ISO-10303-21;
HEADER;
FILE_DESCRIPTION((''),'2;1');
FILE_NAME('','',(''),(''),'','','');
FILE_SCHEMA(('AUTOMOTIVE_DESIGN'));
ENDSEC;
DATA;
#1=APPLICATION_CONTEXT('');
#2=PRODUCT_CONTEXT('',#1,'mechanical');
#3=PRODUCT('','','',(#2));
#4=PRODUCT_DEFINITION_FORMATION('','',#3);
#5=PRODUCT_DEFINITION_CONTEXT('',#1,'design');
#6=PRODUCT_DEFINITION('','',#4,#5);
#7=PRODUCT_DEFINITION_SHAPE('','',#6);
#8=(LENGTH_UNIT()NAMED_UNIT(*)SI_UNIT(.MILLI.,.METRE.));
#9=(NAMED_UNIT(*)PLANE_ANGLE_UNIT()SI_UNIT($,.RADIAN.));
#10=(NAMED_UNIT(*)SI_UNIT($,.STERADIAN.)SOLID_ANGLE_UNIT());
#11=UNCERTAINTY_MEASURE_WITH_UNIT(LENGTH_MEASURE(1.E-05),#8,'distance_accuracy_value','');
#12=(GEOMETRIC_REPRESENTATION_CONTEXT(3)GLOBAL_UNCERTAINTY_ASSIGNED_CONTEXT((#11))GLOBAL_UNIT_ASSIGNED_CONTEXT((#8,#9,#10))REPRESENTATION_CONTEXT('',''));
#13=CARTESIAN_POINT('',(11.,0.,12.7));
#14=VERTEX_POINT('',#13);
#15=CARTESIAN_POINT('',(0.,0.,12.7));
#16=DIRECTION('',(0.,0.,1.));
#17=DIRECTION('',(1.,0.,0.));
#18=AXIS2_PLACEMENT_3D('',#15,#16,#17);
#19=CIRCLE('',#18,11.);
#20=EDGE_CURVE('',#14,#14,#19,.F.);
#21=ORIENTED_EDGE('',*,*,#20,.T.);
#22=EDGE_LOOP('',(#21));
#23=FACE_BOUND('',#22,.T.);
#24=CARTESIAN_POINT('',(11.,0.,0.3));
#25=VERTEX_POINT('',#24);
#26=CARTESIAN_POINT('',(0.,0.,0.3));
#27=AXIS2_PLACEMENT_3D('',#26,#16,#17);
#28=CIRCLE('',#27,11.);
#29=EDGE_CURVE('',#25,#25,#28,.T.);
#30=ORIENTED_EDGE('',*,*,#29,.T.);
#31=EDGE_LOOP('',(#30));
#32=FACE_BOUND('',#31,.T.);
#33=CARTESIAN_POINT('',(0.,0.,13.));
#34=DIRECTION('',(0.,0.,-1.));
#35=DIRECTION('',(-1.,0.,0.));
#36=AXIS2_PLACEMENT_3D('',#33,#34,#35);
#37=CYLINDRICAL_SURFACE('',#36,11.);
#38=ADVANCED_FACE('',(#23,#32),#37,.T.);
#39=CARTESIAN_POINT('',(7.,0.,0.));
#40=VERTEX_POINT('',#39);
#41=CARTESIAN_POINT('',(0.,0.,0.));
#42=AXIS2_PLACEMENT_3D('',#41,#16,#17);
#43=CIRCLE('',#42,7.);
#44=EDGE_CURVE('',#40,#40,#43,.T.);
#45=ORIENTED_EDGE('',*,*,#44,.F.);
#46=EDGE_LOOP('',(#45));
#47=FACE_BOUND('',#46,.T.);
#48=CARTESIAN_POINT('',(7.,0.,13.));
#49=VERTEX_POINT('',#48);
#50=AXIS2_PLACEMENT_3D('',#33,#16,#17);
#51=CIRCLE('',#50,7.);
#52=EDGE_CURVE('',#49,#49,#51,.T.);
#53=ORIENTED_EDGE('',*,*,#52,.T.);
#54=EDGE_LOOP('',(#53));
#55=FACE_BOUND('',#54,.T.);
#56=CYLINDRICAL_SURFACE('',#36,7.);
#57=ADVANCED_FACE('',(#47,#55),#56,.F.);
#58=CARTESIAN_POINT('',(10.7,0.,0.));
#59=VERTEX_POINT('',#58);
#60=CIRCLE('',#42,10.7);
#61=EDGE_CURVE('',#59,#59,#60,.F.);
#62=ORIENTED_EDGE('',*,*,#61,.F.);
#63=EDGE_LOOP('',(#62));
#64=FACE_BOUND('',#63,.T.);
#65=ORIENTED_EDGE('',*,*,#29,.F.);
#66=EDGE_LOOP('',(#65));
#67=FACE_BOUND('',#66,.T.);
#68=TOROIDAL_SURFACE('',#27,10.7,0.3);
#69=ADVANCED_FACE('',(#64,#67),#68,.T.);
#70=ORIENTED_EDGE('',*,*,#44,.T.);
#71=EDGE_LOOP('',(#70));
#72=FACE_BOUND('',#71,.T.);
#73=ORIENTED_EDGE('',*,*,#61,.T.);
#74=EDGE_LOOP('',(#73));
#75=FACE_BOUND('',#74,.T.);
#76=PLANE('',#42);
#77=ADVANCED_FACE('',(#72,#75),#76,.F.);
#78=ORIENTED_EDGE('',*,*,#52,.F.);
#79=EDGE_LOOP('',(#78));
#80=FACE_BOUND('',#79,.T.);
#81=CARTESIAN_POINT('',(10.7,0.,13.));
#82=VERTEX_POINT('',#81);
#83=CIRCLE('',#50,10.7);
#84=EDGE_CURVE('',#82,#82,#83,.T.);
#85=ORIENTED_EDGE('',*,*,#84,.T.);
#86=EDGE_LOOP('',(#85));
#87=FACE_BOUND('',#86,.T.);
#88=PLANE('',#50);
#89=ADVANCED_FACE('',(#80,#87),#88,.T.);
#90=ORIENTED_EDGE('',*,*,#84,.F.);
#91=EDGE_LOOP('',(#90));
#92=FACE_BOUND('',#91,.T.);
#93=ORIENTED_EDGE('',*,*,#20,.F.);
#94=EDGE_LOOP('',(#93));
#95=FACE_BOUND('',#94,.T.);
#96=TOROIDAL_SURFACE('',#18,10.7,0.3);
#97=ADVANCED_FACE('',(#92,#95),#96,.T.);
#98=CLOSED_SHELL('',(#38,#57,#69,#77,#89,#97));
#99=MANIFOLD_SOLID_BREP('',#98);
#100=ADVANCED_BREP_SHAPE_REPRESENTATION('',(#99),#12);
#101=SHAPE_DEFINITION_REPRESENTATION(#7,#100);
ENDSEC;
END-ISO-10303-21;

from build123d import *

# Parameters (mm, degrees)
SKETCH1_R           = 11
SKETCH1_R_2         = 7
BOSS_EXTRUDE1_DEPTH = 13
FILLET1_R           = 0.3


with BuildPart() as part:
    # Sketch1 → Boss-Extrude1 (new body)
    with BuildSketch(Plane.XY):
        Circle(SKETCH1_R)
        Circle(SKETCH1_R_2, mode=Mode.SUBTRACT)
    extrude(amount=BOSS_EXTRUDE1_DEPTH)

    # Fillet1
    fillet1_edges = [part.edges().sort_by_distance(p)[0] for p in [
        (-11, 0, 0),
        (-11, 0, 13),
    ]]
    fillet(fillet1_edges, radius=FILLET1_R)


solid = part.part
